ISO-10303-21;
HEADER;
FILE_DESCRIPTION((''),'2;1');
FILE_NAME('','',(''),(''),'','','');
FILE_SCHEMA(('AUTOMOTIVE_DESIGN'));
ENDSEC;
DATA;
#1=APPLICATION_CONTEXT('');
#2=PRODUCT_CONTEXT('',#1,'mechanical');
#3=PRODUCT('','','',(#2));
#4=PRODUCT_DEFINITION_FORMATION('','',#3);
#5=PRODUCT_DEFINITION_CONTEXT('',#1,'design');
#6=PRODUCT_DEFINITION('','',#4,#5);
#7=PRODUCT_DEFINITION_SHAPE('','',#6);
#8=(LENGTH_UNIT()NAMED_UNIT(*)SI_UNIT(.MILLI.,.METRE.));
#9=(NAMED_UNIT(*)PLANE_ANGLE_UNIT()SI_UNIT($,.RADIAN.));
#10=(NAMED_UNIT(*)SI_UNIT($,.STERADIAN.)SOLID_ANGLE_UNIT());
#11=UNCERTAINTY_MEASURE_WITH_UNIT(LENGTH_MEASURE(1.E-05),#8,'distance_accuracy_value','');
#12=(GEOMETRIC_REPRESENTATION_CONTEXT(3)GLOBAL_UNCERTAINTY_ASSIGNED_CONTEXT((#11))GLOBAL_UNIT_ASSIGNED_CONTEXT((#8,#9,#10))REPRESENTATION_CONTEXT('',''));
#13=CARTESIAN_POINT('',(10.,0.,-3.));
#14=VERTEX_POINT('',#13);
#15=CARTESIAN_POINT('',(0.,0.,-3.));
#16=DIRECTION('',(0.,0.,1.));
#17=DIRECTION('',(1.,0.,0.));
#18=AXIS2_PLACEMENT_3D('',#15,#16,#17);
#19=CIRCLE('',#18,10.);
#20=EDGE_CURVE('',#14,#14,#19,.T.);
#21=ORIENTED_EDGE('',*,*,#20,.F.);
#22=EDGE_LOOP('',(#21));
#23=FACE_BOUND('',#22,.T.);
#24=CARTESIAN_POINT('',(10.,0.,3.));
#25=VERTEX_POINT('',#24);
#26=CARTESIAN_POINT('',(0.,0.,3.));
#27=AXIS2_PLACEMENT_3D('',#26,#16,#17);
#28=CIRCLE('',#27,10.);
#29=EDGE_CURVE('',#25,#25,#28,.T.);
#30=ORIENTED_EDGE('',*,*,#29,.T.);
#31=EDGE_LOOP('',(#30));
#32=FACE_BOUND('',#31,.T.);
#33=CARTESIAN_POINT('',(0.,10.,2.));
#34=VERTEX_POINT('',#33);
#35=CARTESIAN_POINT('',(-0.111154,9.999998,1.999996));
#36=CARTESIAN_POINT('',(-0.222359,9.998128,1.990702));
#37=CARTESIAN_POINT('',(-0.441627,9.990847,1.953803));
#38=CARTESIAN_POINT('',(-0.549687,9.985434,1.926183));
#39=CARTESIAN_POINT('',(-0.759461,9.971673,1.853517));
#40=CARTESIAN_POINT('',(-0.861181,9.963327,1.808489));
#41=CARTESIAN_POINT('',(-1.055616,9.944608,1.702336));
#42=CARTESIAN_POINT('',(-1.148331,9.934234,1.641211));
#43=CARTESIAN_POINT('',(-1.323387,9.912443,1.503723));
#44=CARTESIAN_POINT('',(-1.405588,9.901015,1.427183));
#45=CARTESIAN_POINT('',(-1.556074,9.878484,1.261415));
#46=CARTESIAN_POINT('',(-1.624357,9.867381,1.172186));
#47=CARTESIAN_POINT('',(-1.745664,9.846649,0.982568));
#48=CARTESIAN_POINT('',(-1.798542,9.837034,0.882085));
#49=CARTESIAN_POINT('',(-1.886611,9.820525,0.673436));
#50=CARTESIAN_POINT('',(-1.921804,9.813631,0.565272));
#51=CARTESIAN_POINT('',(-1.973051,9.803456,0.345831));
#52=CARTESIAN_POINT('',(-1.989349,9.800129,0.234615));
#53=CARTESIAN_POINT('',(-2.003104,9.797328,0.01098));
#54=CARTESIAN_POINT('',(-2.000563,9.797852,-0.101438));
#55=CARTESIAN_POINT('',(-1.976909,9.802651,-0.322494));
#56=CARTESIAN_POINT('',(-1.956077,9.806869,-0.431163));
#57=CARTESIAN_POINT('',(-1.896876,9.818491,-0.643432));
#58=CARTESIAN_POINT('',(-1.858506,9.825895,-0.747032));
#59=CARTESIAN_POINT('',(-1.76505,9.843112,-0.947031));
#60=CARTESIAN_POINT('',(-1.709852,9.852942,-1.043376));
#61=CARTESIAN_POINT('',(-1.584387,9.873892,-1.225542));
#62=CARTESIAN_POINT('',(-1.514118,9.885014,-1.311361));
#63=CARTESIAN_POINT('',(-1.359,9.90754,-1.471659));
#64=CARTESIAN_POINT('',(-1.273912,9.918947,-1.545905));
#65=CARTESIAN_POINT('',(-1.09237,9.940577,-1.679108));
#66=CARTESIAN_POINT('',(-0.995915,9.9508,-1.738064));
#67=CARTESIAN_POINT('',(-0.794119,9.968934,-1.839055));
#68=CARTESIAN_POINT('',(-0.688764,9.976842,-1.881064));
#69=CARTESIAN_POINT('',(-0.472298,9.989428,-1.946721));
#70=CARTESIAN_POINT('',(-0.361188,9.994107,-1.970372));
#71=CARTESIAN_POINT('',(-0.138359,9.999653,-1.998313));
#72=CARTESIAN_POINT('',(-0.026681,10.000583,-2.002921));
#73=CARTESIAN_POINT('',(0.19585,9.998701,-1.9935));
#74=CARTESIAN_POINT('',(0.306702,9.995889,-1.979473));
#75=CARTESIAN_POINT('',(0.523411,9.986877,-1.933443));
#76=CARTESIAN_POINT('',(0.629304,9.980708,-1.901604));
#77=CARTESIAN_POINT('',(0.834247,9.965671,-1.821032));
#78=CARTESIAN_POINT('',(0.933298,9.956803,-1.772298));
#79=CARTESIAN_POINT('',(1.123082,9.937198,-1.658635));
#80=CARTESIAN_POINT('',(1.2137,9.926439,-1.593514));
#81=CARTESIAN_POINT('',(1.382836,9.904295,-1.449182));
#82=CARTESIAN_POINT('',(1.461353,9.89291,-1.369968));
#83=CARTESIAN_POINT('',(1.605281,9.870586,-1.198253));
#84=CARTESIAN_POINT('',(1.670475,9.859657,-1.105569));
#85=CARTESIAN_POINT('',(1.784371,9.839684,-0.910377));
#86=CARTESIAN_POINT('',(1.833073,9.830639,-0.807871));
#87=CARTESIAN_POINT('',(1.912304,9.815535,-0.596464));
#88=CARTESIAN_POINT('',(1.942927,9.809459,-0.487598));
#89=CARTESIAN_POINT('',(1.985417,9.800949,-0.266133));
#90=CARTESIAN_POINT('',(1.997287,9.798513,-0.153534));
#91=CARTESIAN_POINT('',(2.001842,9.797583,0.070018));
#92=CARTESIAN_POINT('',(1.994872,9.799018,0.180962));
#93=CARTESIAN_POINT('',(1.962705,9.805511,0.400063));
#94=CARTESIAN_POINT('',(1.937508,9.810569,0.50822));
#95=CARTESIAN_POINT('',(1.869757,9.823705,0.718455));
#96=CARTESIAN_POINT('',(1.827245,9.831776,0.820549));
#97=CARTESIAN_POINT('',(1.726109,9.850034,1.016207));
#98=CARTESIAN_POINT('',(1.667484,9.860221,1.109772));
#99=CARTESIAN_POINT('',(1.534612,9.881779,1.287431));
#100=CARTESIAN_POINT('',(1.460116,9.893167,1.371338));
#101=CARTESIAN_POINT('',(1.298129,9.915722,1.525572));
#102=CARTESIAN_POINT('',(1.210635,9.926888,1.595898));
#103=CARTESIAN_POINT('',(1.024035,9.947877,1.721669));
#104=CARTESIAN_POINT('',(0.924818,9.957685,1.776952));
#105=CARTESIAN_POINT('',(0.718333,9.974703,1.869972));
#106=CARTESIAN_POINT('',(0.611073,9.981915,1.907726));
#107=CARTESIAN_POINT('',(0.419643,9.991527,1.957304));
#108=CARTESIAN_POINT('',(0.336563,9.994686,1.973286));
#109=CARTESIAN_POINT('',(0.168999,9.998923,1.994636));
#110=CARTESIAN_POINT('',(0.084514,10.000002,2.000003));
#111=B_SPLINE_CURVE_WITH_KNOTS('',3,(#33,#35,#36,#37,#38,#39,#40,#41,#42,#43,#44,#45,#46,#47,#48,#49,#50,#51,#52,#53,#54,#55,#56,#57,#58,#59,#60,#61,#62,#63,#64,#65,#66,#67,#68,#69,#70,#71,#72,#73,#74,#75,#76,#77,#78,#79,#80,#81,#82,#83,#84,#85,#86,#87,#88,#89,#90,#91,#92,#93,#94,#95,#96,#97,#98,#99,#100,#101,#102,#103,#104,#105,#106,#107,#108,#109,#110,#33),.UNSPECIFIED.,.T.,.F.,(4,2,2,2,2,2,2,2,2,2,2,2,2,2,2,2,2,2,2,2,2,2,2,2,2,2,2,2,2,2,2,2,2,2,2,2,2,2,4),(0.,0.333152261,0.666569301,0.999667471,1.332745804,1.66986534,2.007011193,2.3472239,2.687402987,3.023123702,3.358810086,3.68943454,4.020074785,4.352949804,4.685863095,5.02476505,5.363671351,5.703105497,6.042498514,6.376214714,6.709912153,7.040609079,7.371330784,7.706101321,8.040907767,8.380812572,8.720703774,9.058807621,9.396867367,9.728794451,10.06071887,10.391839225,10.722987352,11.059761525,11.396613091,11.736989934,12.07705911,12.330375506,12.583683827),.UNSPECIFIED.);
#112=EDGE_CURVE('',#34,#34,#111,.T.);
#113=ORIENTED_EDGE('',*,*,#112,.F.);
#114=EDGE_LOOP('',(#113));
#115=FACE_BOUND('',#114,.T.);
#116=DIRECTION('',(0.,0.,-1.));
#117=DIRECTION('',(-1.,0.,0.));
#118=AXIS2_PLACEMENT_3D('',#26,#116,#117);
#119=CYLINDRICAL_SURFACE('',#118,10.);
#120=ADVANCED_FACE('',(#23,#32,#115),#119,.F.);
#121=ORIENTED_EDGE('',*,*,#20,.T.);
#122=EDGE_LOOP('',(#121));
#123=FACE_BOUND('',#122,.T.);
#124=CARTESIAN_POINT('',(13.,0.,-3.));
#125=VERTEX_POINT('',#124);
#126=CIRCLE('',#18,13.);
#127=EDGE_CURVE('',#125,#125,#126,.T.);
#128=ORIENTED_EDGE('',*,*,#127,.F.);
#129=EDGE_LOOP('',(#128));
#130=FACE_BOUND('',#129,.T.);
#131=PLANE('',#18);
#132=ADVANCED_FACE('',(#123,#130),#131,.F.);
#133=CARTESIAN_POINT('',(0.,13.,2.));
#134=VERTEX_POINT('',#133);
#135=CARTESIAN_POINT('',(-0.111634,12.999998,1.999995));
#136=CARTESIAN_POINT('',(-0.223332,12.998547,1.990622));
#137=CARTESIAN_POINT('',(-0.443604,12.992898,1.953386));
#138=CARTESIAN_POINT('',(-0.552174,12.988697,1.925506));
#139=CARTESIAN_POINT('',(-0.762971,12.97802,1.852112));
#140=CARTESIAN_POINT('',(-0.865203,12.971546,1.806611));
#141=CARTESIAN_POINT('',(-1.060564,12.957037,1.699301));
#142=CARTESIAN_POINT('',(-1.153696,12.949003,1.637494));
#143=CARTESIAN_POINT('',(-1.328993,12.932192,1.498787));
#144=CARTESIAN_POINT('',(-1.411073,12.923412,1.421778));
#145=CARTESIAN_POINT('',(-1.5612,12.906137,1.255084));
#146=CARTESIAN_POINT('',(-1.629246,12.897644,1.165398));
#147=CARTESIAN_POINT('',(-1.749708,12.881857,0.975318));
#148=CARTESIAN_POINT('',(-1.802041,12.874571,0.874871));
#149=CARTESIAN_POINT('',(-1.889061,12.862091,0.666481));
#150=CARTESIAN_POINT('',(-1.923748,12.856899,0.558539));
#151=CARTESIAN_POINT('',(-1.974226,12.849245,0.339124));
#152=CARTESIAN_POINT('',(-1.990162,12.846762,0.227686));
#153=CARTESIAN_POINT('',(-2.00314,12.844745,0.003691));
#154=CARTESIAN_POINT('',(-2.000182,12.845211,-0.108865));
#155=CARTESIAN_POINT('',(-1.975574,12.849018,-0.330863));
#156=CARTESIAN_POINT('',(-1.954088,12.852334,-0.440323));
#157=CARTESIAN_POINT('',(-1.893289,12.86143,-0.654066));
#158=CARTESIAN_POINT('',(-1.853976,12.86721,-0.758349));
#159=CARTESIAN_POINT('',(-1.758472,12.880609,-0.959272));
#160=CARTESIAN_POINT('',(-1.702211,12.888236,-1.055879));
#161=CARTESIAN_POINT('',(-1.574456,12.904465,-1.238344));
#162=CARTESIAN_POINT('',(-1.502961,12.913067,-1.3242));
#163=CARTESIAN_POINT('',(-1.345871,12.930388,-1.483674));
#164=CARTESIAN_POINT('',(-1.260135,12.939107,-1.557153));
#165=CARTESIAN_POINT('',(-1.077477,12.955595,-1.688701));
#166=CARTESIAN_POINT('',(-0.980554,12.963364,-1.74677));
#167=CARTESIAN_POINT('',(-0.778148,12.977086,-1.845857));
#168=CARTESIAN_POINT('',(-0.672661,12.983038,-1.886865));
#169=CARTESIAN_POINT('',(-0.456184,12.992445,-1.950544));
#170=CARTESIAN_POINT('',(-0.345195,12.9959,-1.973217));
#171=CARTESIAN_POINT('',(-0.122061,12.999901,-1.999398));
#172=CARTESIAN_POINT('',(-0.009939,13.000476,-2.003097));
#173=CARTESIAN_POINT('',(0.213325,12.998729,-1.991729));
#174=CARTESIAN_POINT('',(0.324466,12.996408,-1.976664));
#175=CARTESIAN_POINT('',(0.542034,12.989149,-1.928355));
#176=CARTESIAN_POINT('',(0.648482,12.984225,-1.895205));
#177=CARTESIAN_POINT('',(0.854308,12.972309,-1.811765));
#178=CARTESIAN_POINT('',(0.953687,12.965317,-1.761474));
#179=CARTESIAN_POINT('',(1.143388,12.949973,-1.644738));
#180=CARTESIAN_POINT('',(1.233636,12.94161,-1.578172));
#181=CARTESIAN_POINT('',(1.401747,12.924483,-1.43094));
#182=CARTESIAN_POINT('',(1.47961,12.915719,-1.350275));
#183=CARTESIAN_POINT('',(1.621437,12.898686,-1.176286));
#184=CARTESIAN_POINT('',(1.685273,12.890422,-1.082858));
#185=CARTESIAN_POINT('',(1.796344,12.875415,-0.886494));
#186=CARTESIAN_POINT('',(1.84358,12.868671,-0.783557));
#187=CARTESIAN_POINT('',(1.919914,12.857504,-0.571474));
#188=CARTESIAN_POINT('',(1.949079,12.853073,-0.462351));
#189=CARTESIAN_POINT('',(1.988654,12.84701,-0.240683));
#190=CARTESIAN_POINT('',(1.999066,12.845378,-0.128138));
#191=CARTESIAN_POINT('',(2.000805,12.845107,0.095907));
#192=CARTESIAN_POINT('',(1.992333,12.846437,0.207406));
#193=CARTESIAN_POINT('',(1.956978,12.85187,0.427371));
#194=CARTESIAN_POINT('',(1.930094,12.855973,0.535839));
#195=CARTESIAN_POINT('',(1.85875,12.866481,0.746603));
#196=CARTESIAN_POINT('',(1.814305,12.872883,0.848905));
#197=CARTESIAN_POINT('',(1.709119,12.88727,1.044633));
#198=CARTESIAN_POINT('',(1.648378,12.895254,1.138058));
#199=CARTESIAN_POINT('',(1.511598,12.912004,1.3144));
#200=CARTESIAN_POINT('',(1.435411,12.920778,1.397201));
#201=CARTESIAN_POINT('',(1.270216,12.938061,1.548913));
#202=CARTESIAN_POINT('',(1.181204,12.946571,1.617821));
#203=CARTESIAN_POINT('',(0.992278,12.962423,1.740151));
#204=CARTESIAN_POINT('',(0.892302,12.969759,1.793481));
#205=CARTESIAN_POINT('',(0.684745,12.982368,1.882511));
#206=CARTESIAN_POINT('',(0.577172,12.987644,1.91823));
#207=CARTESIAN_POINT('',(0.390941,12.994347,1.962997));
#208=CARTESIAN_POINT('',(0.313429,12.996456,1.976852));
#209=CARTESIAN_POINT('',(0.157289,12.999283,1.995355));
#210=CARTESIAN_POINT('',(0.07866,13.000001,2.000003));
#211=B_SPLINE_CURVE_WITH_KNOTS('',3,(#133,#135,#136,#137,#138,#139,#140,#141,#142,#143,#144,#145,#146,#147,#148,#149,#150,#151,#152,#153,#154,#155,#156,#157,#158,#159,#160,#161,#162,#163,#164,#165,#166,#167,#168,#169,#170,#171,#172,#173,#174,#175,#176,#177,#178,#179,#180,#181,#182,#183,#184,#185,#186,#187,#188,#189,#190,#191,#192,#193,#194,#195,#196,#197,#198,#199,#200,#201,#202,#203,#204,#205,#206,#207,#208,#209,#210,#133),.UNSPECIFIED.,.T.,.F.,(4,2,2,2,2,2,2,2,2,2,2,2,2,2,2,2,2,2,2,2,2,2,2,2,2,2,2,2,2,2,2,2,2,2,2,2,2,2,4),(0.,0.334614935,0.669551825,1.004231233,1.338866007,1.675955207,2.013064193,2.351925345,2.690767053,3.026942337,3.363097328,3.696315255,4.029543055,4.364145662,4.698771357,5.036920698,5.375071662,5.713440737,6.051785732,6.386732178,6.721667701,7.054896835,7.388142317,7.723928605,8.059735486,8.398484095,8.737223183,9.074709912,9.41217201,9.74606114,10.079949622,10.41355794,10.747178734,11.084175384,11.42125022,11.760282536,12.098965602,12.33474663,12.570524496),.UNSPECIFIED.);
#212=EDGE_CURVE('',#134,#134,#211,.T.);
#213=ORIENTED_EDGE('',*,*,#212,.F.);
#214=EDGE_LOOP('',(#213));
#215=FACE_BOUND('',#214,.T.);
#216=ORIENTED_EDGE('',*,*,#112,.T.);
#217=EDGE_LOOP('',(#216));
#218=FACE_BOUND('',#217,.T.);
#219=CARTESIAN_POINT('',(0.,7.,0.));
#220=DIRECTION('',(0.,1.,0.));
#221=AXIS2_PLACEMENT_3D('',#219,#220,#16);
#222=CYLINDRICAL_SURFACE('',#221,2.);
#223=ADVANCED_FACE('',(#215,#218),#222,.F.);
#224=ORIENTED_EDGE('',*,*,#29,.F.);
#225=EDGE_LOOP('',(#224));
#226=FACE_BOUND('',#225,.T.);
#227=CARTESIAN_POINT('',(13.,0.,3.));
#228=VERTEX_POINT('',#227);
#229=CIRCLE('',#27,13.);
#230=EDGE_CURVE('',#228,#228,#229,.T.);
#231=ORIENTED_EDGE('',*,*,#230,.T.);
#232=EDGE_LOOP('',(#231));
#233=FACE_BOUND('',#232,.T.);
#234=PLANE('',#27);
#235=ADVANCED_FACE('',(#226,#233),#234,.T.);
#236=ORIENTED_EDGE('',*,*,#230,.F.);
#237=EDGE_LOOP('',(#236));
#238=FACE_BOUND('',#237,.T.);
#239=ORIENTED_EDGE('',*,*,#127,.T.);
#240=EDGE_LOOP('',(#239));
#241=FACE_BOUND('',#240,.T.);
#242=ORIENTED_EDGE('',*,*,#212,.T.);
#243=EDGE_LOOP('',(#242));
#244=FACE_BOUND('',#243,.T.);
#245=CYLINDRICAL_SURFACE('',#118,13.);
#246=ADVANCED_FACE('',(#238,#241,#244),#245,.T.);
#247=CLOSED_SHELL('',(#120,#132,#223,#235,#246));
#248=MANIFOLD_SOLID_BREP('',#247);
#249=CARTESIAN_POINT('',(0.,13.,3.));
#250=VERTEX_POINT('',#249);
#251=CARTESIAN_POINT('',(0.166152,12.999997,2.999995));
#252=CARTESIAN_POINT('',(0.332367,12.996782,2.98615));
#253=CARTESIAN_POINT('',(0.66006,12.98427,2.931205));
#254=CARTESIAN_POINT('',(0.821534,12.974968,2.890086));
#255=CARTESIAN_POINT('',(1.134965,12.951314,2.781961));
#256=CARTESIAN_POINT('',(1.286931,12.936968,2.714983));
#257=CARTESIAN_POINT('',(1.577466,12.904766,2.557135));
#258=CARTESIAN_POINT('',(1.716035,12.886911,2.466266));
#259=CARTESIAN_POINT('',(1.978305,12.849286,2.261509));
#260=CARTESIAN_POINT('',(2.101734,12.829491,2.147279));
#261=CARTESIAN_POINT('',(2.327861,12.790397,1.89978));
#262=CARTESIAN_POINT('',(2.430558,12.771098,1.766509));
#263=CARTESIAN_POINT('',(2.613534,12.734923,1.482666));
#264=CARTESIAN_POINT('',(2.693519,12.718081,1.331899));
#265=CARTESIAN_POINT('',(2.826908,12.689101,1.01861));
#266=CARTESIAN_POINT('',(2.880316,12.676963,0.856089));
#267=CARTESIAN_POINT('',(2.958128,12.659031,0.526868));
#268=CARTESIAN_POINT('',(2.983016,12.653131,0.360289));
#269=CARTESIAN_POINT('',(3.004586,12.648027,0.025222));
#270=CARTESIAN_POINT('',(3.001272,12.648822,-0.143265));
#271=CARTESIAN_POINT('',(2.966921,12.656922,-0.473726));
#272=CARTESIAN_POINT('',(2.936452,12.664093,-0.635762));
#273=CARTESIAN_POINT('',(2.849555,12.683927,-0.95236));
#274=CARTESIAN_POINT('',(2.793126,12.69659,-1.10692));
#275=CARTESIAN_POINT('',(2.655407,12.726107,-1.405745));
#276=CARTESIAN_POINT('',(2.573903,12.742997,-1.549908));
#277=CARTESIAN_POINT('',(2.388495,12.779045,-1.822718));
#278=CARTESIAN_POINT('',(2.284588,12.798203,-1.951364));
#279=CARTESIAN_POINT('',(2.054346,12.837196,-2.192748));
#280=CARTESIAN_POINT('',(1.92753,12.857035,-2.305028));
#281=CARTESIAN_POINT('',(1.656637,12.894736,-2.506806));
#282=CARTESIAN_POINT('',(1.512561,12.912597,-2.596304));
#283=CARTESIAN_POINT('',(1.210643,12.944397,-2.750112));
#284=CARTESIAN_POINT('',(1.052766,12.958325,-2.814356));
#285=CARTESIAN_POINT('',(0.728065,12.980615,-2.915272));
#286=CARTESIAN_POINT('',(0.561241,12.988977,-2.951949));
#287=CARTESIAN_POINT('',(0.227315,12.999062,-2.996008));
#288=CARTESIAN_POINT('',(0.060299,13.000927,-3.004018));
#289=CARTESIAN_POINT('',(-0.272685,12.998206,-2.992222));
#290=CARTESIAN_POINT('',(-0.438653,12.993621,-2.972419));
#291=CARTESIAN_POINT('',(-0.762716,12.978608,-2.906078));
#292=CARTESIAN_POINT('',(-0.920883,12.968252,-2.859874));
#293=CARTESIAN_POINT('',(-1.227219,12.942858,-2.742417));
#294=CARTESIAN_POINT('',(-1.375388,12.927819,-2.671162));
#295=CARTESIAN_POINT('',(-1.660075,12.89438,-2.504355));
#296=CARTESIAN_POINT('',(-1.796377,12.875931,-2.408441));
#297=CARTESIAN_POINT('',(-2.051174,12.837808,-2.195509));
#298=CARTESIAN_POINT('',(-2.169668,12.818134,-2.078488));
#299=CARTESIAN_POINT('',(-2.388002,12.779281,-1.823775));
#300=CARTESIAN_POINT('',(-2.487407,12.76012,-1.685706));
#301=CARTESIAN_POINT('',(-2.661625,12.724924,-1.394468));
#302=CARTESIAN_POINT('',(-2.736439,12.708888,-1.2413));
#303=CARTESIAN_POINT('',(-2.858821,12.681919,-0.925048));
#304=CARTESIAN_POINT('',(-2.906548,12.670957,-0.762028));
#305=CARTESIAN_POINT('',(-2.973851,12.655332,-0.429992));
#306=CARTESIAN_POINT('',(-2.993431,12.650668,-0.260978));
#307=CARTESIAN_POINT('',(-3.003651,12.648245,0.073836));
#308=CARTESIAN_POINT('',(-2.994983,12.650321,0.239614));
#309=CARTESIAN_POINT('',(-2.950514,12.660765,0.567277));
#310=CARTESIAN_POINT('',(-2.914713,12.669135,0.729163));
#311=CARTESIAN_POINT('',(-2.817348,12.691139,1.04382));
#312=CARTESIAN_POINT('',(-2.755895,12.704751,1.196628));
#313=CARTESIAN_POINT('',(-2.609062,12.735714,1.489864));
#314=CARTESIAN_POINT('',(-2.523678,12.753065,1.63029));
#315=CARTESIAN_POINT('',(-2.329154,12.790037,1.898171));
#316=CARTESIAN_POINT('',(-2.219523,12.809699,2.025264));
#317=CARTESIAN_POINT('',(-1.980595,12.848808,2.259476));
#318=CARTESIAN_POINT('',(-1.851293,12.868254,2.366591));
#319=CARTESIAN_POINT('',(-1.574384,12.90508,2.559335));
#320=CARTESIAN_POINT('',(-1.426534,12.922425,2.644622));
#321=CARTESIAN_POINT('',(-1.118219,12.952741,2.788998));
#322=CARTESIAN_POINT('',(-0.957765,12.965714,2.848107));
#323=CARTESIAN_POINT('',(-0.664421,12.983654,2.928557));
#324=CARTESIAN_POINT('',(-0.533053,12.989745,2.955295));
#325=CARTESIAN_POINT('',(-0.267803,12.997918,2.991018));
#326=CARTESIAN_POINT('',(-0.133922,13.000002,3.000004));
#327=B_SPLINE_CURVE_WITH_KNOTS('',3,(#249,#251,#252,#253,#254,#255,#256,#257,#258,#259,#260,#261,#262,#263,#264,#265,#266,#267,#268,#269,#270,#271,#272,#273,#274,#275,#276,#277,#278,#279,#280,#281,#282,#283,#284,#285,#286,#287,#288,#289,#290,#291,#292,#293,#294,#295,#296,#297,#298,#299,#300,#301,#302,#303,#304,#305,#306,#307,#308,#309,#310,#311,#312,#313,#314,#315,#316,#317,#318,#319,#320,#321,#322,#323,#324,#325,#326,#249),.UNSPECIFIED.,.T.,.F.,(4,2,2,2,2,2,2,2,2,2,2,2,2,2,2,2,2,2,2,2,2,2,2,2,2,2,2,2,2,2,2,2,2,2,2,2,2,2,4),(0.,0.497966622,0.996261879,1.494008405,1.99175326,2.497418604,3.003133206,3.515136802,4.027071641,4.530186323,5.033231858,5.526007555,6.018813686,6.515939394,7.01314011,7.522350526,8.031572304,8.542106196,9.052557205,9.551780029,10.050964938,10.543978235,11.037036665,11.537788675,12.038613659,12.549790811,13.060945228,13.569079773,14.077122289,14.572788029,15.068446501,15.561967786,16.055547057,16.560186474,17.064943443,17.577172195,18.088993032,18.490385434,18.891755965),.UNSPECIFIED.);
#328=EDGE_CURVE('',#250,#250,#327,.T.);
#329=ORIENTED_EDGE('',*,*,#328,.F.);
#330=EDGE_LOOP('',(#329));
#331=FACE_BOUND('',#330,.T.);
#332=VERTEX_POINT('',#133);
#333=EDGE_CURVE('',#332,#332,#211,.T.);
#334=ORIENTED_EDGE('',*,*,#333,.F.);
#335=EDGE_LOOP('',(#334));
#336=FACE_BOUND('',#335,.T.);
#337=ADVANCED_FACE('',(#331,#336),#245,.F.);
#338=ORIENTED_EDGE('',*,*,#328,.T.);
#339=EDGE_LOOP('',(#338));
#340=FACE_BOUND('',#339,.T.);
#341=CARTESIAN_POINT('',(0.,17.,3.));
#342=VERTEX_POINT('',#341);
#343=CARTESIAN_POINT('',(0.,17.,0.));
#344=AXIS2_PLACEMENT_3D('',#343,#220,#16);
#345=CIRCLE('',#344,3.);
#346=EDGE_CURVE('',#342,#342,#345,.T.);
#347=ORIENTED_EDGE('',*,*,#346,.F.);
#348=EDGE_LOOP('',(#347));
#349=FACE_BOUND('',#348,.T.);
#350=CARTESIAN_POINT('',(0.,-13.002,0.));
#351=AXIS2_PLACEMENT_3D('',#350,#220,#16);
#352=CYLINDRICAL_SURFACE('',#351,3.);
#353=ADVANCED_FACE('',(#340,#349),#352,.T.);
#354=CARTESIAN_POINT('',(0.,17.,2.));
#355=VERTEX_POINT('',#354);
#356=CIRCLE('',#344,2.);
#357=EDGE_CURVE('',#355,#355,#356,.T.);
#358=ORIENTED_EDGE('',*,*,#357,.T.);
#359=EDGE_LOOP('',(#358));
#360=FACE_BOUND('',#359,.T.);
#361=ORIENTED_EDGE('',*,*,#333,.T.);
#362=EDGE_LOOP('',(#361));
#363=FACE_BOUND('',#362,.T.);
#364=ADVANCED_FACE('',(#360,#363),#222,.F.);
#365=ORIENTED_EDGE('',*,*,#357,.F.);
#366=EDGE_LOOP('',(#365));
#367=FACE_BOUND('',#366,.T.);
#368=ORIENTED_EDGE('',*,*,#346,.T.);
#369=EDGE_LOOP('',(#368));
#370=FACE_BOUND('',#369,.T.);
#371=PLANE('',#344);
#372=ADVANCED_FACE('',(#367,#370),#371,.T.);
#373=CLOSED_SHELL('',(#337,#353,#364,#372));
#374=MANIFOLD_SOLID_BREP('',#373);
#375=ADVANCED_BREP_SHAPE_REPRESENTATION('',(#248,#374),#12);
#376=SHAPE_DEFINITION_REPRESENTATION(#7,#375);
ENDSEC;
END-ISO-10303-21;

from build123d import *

# Parameters (mm, degrees)
SKETCH1_R                = 13
SKETCH1_R_2              = 10
BOSS_EXTRUDE1_DEPTH      = 3
BOSS_EXTRUDE2_REACH      = 37.628
BOSS_EXTRUDE2_END_RADIUS = 13
BOSS_EXTRUDE2_START      = 17
SKETCH2_R                = 3
SKETCH3_R                = 2
CUT_EXTRUDE1_DEPTH       = 10


with BuildPart() as part:
    # Sketch1 → Boss-Extrude1 (new, symmetric)
    with BuildSketch(Plane.XY):
        Circle(SKETCH1_R)
        Circle(SKETCH1_R_2, mode=Mode.SUBTRACT)
    extrude(amount=BOSS_EXTRUDE1_DEPTH, both=True)


with BuildPart() as body_2:
    # Boss-Extrude2: up to this cylinder (the profile starts outside it)
    boss_extrude2_end = Plane(origin=(0, 0, 0), z_dir=(0, 0, -1)) * Cylinder(BOSS_EXTRUDE2_END_RADIUS, 102.256, mode=Mode.PRIVATE)
    # Sketch2 → Boss-Extrude2 (new, up to the surface)
    with BuildSketch(Plane(origin=(0, 0, 0), x_dir=(1, 0, 0), z_dir=(0, 1, 0)).offset(BOSS_EXTRUDE2_START), mode=Mode.PRIVATE) as boss_extrude2_sk1:
        with Locations(Location((0, 0, 0), (0, 0, 270))):
            Circle(SKETCH2_R)
    boss_extrude2_tool1 = extrude(boss_extrude2_sk1.sketch, amount=-BOSS_EXTRUDE2_REACH, mode=Mode.PRIVATE) - boss_extrude2_end
    add(boss_extrude2_tool1.solids().sort_by_distance((0, 17, 0))[0])


with BuildPart() as cut_extrude1_tool:
    # Sketch3 → Cut-Extrude1 (new body)
    with BuildSketch(Plane(origin=(0, 17, 0), x_dir=(1, 0, 0), z_dir=(0, 1, 0))):
        with Locations(Location((0, 0, 0), (0, 0, 270))):
            Circle(SKETCH3_R)
    extrude(amount=-CUT_EXTRUDE1_DEPTH)


with BuildPart() as part_1:
    add(part.part)

    # Cut-Extrude1: cut by cut_extrude1_tool
    add(cut_extrude1_tool.part, mode=Mode.SUBTRACT)


with BuildPart() as body_2_1:
    add(body_2.part)

    # Cut-Extrude1: cut by cut_extrude1_tool
    add(cut_extrude1_tool.part, mode=Mode.SUBTRACT)


solid = Compound([part_1.part, body_2_1.part])
